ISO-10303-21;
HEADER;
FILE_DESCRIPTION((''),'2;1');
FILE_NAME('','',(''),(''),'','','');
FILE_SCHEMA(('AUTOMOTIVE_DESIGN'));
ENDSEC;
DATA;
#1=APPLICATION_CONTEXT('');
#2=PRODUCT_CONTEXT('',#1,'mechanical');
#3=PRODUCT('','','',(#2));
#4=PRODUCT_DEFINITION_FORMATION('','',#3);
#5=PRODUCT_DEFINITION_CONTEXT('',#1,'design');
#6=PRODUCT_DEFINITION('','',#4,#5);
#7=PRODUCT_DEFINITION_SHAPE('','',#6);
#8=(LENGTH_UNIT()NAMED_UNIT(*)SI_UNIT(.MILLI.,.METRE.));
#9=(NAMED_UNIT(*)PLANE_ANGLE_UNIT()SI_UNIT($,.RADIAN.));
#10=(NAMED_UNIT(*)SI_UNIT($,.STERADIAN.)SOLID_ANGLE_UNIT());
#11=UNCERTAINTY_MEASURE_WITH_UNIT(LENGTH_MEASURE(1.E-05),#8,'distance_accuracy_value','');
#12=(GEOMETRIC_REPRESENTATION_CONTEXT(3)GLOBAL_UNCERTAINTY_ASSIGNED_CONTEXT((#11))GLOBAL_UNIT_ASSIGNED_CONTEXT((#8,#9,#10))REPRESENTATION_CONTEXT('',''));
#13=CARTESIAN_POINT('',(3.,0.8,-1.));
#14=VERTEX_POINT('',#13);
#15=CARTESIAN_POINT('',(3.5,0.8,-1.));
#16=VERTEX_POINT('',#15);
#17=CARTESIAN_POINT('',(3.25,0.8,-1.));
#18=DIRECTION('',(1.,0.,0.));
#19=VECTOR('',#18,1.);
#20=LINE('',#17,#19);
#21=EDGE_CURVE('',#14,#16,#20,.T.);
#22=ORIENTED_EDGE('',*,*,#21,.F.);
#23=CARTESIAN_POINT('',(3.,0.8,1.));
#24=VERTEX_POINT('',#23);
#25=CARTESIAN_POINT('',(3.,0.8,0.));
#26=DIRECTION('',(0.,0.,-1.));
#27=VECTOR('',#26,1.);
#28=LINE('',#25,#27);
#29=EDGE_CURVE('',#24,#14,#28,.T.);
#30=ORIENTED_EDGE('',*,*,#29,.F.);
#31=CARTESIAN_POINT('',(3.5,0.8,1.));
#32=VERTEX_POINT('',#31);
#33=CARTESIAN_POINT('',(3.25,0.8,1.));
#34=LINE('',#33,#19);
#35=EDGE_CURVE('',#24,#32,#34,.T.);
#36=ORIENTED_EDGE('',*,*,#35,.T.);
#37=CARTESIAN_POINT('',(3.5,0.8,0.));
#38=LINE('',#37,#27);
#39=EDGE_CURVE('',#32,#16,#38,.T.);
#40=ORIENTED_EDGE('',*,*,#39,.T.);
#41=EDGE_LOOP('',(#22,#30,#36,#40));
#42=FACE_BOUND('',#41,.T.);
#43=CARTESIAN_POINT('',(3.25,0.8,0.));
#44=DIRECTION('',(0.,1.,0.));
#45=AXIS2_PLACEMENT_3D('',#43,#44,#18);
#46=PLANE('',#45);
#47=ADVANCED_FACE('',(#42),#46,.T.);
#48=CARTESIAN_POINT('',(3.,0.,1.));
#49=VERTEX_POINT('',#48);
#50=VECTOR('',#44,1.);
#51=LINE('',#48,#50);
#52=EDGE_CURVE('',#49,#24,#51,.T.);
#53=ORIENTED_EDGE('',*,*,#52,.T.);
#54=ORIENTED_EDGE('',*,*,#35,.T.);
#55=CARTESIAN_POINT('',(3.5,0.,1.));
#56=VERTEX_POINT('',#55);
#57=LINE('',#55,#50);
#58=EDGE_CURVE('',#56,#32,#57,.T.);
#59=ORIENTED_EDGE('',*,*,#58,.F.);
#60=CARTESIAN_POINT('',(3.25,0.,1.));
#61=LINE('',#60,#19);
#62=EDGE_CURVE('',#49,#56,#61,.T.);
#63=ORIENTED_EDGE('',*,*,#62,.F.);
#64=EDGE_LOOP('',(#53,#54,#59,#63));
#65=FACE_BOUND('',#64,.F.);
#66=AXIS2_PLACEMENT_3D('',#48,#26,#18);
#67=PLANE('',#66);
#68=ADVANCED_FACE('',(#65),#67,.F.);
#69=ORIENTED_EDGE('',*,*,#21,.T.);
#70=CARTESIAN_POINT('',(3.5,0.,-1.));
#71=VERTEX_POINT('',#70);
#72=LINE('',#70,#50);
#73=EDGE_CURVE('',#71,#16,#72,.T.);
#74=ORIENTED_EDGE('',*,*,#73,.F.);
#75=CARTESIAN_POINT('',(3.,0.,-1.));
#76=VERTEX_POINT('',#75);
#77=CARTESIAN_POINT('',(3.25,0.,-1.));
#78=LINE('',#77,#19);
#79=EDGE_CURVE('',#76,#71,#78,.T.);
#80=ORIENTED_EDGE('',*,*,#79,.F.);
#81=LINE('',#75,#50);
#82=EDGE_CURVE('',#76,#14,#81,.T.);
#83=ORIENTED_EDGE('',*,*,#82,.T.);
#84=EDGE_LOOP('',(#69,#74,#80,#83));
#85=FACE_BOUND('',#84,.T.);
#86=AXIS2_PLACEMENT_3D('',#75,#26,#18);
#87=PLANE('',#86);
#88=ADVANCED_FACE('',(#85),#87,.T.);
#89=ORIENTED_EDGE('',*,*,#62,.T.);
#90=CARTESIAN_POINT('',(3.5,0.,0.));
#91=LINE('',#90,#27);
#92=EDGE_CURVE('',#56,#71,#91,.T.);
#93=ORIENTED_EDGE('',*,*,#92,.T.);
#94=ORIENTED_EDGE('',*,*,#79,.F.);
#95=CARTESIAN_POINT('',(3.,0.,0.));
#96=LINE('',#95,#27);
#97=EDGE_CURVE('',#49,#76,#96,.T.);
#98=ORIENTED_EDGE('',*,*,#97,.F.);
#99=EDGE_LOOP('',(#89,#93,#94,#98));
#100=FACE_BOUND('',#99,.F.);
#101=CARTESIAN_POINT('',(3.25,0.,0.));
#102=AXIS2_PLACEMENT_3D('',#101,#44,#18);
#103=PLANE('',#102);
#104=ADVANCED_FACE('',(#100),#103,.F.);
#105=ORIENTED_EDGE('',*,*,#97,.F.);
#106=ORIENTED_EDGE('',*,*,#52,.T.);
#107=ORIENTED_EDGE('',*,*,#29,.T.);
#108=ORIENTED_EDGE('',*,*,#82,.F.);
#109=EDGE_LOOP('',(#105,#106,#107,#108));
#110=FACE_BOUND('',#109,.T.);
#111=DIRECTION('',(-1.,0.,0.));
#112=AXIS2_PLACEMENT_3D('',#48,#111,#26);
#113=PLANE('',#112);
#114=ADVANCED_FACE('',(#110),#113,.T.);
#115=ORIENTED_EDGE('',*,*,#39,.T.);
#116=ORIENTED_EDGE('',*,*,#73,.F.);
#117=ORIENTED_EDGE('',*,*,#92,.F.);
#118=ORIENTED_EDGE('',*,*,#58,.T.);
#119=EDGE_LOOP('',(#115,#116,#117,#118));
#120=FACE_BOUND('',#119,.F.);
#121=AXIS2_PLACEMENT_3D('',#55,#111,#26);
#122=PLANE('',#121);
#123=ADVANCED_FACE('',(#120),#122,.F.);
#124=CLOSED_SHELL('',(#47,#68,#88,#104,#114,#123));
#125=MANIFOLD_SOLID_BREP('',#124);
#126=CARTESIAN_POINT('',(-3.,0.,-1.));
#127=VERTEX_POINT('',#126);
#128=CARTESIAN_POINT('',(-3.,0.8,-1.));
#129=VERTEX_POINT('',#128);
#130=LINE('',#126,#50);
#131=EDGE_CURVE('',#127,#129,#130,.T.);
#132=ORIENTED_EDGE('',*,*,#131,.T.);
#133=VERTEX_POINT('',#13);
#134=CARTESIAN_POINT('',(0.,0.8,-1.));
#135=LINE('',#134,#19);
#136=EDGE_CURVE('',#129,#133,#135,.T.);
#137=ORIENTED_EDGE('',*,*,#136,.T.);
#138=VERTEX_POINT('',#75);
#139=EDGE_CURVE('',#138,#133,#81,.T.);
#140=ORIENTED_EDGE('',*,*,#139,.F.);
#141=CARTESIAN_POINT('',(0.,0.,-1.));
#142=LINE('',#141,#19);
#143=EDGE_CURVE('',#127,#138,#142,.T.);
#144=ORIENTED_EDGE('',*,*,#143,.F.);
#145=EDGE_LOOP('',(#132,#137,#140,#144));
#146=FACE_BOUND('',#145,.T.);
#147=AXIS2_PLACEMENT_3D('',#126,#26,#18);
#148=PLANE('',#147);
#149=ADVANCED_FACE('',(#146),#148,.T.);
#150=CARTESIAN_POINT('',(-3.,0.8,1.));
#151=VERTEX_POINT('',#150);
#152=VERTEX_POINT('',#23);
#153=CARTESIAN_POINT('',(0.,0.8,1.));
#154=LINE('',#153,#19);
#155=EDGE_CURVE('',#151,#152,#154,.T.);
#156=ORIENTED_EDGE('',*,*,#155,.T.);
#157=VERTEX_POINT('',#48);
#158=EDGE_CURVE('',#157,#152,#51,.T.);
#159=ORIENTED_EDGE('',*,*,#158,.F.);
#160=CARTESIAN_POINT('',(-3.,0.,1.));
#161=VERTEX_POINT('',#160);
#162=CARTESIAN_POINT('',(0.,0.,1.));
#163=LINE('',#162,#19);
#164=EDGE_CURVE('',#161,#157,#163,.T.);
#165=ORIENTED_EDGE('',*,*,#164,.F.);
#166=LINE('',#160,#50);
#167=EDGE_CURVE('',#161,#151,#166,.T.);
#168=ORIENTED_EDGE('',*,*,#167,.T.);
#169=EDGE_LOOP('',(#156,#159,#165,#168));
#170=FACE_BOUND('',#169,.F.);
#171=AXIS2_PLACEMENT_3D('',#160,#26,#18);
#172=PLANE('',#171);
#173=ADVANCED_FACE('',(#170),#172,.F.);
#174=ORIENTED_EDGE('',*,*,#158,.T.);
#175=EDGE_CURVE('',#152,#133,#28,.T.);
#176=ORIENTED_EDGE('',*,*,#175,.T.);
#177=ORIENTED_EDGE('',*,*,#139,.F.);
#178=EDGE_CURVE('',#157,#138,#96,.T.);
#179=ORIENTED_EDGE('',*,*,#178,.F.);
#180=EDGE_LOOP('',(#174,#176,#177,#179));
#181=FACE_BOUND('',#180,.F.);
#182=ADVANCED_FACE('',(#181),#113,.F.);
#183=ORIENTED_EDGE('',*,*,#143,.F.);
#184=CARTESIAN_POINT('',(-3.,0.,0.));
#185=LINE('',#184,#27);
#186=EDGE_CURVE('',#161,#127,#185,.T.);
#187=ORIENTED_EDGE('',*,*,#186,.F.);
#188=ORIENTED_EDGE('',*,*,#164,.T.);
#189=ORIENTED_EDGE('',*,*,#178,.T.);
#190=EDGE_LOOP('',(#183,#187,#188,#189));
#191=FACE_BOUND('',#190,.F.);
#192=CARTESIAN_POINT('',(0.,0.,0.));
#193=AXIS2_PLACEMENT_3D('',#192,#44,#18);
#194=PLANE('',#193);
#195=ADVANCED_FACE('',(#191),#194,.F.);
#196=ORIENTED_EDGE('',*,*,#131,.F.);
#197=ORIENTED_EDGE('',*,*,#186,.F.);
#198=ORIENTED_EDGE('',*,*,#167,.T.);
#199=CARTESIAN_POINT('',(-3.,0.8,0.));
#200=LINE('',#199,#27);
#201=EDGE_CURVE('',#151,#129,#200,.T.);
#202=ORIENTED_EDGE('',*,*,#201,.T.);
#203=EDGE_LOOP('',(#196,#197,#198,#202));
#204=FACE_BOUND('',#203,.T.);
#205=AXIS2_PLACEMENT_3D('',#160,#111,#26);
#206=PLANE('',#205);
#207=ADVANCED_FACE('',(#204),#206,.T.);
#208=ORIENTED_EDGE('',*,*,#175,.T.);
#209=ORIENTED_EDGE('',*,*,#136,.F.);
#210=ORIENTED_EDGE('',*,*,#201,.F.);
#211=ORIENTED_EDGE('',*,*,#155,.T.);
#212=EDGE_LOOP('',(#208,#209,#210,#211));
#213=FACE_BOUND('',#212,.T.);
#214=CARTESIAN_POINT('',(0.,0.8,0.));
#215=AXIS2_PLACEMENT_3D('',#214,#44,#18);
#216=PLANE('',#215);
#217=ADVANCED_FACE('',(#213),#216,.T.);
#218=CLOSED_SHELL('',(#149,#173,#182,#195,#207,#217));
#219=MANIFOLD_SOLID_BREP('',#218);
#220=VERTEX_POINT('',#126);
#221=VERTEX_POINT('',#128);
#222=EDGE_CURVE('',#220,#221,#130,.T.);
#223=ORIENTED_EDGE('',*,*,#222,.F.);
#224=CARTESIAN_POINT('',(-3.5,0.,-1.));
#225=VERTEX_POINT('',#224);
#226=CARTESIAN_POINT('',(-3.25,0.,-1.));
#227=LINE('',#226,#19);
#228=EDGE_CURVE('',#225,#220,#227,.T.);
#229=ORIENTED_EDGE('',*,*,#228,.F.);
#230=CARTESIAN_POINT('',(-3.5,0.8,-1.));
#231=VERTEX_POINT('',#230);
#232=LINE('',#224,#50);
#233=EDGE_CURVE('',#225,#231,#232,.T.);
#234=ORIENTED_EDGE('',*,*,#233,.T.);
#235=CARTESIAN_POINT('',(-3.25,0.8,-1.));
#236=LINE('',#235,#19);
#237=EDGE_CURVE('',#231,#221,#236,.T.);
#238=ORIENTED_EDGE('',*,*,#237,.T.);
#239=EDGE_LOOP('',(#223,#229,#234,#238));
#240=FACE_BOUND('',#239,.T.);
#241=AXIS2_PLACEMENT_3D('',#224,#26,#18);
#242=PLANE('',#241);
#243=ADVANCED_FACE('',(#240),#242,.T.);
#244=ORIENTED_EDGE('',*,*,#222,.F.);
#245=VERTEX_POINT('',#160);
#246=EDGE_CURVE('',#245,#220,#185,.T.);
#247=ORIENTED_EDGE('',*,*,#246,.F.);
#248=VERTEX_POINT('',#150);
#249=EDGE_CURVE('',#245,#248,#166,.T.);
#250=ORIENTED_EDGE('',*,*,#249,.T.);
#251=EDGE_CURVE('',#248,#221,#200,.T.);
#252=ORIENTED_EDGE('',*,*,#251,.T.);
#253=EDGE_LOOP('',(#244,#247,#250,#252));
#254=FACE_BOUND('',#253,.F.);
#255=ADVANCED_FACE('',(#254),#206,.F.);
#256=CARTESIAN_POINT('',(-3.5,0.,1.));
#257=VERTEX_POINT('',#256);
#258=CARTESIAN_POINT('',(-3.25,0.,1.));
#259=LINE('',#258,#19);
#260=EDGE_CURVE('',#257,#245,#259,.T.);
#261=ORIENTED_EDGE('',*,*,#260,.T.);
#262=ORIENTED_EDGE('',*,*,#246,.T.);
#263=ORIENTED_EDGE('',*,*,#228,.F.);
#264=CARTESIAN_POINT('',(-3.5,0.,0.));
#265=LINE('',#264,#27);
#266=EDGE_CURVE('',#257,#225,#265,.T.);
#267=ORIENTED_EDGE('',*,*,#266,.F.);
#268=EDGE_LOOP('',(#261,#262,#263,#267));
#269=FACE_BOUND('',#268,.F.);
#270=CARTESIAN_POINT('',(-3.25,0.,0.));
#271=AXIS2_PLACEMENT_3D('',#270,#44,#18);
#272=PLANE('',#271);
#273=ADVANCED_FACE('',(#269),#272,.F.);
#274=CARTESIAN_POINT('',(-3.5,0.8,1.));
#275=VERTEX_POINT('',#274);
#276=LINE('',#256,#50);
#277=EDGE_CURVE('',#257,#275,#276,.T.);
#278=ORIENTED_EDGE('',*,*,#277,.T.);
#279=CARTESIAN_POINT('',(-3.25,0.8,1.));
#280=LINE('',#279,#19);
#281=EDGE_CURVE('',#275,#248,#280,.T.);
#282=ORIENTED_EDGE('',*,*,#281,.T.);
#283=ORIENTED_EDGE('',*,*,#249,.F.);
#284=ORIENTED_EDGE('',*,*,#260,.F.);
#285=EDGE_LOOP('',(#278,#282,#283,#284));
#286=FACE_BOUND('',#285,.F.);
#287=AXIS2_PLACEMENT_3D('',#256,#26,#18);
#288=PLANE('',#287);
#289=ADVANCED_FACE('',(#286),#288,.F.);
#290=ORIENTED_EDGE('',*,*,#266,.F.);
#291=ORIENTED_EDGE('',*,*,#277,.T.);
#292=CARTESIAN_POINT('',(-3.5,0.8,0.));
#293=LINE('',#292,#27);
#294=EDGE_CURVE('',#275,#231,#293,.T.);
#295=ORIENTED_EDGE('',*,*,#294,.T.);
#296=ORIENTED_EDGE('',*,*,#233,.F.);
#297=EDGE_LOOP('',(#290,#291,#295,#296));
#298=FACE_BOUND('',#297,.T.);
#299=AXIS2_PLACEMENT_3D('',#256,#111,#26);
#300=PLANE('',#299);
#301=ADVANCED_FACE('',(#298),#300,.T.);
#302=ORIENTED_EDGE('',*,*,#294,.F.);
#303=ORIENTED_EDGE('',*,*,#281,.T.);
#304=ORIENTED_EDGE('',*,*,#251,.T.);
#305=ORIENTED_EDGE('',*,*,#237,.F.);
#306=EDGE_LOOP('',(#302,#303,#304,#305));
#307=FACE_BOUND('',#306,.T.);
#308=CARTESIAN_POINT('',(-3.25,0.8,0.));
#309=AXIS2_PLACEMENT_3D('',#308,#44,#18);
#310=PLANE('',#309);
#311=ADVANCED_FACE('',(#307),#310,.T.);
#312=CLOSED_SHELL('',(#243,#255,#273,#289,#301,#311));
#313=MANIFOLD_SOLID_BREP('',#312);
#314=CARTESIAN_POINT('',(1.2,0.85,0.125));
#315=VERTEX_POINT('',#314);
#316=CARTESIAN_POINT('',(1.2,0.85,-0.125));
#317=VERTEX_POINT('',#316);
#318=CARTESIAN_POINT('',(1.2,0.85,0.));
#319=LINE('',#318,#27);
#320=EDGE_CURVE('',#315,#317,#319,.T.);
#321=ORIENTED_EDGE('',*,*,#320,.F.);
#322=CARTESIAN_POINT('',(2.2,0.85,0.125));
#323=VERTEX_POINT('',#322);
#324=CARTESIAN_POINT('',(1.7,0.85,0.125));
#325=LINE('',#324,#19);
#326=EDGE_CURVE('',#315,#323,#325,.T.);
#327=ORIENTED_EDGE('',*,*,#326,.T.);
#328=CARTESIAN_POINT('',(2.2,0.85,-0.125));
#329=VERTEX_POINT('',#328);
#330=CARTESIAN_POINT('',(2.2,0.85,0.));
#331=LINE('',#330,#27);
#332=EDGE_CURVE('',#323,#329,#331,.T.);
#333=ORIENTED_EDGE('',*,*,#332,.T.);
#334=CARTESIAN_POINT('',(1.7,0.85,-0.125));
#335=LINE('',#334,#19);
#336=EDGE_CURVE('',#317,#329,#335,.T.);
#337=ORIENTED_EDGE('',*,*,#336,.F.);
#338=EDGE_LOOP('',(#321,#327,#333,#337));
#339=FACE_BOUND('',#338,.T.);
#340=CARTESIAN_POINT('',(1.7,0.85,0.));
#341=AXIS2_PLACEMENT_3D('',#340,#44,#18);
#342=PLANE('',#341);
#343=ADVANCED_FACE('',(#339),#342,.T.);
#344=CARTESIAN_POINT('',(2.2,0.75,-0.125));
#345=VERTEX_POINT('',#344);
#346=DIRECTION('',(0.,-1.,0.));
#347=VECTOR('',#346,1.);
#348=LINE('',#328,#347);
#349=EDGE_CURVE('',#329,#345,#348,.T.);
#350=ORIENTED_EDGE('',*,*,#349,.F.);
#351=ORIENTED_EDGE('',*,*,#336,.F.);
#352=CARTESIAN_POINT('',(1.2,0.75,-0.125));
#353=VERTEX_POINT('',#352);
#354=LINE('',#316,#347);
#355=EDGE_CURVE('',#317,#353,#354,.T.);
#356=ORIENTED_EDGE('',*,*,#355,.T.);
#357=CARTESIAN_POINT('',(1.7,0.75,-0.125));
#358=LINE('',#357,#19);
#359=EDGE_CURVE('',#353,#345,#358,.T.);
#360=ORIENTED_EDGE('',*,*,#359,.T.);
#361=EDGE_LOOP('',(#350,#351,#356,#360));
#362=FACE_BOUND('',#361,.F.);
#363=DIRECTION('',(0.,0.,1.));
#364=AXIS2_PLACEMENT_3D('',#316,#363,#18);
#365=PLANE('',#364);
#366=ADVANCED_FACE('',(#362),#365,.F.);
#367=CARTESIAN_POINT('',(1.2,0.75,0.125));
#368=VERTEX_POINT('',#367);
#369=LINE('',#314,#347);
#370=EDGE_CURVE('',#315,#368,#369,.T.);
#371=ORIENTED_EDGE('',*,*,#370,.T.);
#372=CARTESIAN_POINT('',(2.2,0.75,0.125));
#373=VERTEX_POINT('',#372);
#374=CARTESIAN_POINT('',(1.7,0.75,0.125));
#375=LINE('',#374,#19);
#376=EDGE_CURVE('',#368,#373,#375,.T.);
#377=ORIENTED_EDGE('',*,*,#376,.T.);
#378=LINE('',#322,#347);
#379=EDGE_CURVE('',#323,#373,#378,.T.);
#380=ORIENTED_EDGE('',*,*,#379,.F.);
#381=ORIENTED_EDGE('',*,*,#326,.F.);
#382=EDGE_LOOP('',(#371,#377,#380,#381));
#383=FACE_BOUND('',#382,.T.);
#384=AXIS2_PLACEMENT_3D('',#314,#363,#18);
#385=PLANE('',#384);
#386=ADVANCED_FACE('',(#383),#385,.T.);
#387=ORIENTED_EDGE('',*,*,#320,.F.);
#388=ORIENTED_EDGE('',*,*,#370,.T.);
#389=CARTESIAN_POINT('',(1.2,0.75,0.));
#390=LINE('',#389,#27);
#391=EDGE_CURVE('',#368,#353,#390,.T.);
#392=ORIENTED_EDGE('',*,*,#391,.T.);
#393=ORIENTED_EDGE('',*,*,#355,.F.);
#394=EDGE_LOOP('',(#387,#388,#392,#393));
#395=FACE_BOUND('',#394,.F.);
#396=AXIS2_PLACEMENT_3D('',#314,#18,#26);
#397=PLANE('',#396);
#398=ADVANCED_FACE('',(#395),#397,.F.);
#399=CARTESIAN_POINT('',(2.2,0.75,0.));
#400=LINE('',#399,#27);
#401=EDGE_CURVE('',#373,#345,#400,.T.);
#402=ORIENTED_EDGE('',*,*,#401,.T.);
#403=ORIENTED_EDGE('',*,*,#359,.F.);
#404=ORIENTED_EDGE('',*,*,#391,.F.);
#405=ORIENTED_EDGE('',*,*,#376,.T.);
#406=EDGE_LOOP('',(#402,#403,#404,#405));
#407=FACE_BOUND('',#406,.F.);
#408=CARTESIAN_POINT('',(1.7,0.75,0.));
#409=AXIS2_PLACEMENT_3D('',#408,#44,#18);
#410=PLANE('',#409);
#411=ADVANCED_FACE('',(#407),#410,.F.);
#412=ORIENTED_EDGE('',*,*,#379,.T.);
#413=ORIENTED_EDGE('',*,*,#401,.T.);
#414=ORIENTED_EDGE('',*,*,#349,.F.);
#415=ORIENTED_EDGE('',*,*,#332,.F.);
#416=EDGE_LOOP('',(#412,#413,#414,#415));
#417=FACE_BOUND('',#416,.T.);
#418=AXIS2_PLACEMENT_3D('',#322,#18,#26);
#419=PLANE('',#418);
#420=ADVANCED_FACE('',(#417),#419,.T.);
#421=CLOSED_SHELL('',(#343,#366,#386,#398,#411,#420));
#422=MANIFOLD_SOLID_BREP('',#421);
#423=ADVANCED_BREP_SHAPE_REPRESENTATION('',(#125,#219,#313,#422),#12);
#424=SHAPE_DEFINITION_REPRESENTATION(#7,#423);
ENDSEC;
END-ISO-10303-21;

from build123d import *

# Parameters (mm, degrees)
SKETCH2_W             = 6
SKETCH2_H             = 2
BOSS_EXTRUDE1_DEPTH   = 0.8
SKETCH3_W             = 0.5
SKETCH3_H             = 2
BOSS_EXTRUDE2_DEPTH   = 0.8
BOSS_EXTRUDE2_2_DEPTH = 0.8
BOSS_EXTRUDE3_START   = 0.05
SKETCH4_W             = 1
SKETCH4_H             = 0.25
BOSS_EXTRUDE3_DEPTH   = 0.1


with BuildPart() as part:
    # Sketch2 → Boss-Extrude1 (new body)
    with BuildSketch(Plane(origin=(0, 0, 0), x_dir=(1, 0, 0), z_dir=(0, 1, 0))):
        Rectangle(SKETCH2_W, SKETCH2_H)
    extrude(amount=BOSS_EXTRUDE1_DEPTH)


with BuildPart() as body_2:
    # Sketch3 → Boss-Extrude2 (new body)
    with BuildSketch(Plane(origin=(0, 0, 0), x_dir=(1, 0, 0), z_dir=(0, 1, 0))):
        with Locations((-3.25, 0)):
            Rectangle(SKETCH3_W, SKETCH3_H)
    extrude(amount=BOSS_EXTRUDE2_DEPTH)


with BuildPart() as body_3:
    # Sketch3 → Boss-Extrude2 2 (new body)
    with BuildSketch(Plane(origin=(0, 0, 0), x_dir=(1, 0, 0), z_dir=(0, 1, 0))):
        with Locations((3.25, 0)):
            Rectangle(SKETCH3_W, SKETCH3_H)
    extrude(amount=BOSS_EXTRUDE2_2_DEPTH)


with BuildPart() as body_4:
    # Sketch4 → Boss-Extrude3 (new body)
    with BuildSketch(Plane(origin=(0, 0.8, 0), x_dir=(1, 0, 0), z_dir=(0, 1, 0)).offset(BOSS_EXTRUDE3_START)):
        with Locations((1.7, 0)):
            Rectangle(SKETCH4_W, SKETCH4_H)
    extrude(amount=-BOSS_EXTRUDE3_DEPTH)


solid = Compound([part.part, body_2.part, body_3.part, body_4.part])
